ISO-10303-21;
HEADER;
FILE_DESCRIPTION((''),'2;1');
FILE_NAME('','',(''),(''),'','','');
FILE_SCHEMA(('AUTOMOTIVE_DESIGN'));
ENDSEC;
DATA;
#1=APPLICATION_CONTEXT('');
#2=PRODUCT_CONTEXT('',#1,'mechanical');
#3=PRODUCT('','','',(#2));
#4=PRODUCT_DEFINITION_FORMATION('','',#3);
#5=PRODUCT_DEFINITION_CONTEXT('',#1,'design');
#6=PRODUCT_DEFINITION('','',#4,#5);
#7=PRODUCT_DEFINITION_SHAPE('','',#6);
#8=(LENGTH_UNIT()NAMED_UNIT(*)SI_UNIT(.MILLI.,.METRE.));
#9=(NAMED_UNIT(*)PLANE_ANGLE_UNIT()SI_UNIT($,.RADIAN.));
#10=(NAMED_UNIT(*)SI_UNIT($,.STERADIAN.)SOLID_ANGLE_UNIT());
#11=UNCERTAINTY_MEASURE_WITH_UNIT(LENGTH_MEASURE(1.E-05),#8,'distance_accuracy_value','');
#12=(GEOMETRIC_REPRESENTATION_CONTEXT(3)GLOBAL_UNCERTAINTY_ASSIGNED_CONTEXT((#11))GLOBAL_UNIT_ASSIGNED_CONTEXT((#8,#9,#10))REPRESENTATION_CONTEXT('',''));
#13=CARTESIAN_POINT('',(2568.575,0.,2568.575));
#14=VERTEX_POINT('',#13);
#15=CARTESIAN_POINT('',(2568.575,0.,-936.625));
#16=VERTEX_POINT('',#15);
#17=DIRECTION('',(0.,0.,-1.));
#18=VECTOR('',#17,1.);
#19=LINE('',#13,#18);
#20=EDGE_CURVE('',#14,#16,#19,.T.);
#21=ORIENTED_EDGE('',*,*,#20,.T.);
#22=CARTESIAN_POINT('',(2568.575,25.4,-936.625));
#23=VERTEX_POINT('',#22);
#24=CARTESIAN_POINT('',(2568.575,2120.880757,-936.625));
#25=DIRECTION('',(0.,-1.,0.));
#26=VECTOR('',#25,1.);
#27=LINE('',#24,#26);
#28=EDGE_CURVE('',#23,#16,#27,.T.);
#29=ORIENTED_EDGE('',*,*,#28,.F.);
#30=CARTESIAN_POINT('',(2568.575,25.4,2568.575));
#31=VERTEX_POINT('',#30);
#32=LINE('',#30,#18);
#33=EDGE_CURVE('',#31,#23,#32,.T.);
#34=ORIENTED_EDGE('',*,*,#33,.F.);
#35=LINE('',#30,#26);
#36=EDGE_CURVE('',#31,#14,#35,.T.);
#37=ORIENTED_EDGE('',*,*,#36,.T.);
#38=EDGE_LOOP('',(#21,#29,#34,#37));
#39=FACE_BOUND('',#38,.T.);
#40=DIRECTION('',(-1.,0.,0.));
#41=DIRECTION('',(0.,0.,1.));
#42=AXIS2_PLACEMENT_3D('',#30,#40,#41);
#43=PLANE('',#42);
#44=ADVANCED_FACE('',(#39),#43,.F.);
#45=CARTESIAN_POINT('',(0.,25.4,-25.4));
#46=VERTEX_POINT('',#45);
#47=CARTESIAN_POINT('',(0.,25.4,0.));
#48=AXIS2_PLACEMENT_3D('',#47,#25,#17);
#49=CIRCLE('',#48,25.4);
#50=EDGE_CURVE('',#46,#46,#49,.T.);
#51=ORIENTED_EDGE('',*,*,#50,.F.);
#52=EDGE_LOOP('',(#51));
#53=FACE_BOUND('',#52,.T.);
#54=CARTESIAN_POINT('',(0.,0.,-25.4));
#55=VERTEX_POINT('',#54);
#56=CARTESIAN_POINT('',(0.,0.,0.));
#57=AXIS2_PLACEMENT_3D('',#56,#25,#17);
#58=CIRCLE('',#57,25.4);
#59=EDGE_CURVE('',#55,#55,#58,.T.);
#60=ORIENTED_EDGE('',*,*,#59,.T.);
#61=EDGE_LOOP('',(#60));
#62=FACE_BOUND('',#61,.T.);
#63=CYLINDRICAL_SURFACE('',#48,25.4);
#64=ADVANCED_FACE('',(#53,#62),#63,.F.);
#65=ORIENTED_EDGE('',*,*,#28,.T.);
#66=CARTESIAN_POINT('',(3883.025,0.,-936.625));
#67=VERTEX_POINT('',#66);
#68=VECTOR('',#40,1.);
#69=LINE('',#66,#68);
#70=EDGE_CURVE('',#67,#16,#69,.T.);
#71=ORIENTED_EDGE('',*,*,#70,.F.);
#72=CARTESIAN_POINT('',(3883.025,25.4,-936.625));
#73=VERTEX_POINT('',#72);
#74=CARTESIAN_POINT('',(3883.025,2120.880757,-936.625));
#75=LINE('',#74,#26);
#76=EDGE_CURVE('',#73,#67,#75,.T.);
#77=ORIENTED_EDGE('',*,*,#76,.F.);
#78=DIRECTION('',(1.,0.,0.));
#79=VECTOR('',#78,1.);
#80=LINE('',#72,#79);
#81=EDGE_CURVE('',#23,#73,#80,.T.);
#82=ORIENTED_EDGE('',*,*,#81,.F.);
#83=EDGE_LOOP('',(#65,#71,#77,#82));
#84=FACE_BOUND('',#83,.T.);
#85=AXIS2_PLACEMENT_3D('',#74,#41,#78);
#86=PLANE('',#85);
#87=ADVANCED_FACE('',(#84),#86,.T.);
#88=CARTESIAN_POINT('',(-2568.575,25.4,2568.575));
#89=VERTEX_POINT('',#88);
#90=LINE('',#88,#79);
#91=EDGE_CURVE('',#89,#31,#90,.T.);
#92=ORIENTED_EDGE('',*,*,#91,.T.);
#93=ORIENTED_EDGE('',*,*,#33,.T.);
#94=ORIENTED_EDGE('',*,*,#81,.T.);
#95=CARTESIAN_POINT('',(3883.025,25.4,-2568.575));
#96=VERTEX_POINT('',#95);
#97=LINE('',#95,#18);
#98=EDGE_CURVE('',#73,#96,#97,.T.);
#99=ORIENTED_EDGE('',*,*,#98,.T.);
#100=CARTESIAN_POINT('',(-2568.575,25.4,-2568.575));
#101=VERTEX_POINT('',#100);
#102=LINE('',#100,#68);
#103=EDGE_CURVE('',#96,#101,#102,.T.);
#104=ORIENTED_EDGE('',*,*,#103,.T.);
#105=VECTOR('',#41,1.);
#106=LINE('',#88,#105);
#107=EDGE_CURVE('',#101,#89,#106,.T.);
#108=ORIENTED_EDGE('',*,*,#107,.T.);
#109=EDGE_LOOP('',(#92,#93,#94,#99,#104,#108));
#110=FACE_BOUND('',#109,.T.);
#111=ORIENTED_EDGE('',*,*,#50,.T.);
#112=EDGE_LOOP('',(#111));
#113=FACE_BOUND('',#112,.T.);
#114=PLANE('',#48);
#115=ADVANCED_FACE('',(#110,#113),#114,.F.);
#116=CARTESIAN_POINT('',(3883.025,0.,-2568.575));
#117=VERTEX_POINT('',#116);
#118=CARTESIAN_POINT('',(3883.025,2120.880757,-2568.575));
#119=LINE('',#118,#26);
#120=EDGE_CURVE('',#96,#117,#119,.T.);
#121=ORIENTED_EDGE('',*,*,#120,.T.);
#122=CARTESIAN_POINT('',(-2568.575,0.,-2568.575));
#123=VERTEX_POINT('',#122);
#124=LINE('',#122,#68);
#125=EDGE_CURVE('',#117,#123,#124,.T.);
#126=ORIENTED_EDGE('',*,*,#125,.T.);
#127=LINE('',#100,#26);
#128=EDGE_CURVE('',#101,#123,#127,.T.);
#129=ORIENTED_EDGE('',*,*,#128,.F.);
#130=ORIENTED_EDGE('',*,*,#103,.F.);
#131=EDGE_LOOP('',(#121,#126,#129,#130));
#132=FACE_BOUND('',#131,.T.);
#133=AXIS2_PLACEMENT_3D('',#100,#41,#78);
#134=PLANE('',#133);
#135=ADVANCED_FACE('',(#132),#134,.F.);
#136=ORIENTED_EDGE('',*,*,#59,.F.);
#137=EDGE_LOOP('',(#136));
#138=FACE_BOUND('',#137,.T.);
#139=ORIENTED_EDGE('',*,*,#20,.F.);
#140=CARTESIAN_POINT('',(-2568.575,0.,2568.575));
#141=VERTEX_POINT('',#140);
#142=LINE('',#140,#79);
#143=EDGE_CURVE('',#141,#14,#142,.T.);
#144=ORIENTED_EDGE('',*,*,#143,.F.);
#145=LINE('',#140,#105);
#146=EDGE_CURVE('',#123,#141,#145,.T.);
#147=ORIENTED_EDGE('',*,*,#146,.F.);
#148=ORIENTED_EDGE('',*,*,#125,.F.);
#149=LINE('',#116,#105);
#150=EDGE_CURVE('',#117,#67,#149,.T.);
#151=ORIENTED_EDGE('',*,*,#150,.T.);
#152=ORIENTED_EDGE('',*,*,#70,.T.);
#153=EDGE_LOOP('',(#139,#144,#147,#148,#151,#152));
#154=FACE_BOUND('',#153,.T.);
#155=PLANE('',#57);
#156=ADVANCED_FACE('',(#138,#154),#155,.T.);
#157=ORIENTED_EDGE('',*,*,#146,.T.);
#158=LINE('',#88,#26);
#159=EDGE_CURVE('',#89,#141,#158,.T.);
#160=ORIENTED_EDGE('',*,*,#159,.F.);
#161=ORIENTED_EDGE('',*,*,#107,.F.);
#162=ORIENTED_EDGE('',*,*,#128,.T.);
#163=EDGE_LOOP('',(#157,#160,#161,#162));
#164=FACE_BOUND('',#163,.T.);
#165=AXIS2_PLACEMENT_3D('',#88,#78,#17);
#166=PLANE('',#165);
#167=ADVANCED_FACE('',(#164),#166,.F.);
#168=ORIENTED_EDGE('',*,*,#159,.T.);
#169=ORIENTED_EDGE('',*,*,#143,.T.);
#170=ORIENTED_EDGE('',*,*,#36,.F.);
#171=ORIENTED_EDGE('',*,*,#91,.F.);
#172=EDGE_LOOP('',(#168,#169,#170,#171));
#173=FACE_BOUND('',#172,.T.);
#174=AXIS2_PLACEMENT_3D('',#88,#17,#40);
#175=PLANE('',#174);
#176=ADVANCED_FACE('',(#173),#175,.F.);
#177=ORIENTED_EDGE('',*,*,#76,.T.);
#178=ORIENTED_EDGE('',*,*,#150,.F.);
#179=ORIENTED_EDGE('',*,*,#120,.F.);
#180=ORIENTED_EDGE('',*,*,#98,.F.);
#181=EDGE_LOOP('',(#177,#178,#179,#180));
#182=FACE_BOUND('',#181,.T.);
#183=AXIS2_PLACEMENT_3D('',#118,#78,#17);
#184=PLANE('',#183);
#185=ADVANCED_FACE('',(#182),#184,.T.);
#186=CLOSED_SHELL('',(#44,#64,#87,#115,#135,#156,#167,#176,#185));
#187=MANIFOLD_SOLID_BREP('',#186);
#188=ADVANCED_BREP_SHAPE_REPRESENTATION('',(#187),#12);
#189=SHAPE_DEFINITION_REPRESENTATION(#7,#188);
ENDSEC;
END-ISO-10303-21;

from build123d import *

# Parameters (mm, degrees)
SKETCH1_W           = 5137.15
SKETCH1_H           = 5137.15
BOSS_EXTRUDE1_DEPTH = 25.4
SKETCH2_R           = 25.4
CUT_EXTRUDE1_DEPTH  = 3633.602403409
SKETCH3_W           = 1314.45
SKETCH3_H           = 1631.95
BOSS_EXTRUDE2_DEPTH = 25.4


with BuildPart() as part:
    # Sketch1 → Boss-Extrude1 (new body)
    with BuildSketch(Plane(origin=(0, 0, 0), x_dir=(1, 0, 0), z_dir=(0, 1, 0))):
        Rectangle(SKETCH1_W, SKETCH1_H)
    extrude(amount=BOSS_EXTRUDE1_DEPTH)

    # Sketch2 → Cut-Extrude1 (cut, through all)
    with BuildSketch(Plane.XZ):
        with Locations(Location((0, 0, 0), (0, 0, 270))):
            Circle(SKETCH2_R)
    extrude(amount=-CUT_EXTRUDE1_DEPTH, mode=Mode.SUBTRACT)

    # Sketch3 → Boss-Extrude2 (add)
    with BuildSketch(Plane.XZ):
        with Locations((3225.8, -1752.6)):
            Rectangle(SKETCH3_W, SKETCH3_H)
    extrude(amount=-BOSS_EXTRUDE2_DEPTH)


solid = part.part
